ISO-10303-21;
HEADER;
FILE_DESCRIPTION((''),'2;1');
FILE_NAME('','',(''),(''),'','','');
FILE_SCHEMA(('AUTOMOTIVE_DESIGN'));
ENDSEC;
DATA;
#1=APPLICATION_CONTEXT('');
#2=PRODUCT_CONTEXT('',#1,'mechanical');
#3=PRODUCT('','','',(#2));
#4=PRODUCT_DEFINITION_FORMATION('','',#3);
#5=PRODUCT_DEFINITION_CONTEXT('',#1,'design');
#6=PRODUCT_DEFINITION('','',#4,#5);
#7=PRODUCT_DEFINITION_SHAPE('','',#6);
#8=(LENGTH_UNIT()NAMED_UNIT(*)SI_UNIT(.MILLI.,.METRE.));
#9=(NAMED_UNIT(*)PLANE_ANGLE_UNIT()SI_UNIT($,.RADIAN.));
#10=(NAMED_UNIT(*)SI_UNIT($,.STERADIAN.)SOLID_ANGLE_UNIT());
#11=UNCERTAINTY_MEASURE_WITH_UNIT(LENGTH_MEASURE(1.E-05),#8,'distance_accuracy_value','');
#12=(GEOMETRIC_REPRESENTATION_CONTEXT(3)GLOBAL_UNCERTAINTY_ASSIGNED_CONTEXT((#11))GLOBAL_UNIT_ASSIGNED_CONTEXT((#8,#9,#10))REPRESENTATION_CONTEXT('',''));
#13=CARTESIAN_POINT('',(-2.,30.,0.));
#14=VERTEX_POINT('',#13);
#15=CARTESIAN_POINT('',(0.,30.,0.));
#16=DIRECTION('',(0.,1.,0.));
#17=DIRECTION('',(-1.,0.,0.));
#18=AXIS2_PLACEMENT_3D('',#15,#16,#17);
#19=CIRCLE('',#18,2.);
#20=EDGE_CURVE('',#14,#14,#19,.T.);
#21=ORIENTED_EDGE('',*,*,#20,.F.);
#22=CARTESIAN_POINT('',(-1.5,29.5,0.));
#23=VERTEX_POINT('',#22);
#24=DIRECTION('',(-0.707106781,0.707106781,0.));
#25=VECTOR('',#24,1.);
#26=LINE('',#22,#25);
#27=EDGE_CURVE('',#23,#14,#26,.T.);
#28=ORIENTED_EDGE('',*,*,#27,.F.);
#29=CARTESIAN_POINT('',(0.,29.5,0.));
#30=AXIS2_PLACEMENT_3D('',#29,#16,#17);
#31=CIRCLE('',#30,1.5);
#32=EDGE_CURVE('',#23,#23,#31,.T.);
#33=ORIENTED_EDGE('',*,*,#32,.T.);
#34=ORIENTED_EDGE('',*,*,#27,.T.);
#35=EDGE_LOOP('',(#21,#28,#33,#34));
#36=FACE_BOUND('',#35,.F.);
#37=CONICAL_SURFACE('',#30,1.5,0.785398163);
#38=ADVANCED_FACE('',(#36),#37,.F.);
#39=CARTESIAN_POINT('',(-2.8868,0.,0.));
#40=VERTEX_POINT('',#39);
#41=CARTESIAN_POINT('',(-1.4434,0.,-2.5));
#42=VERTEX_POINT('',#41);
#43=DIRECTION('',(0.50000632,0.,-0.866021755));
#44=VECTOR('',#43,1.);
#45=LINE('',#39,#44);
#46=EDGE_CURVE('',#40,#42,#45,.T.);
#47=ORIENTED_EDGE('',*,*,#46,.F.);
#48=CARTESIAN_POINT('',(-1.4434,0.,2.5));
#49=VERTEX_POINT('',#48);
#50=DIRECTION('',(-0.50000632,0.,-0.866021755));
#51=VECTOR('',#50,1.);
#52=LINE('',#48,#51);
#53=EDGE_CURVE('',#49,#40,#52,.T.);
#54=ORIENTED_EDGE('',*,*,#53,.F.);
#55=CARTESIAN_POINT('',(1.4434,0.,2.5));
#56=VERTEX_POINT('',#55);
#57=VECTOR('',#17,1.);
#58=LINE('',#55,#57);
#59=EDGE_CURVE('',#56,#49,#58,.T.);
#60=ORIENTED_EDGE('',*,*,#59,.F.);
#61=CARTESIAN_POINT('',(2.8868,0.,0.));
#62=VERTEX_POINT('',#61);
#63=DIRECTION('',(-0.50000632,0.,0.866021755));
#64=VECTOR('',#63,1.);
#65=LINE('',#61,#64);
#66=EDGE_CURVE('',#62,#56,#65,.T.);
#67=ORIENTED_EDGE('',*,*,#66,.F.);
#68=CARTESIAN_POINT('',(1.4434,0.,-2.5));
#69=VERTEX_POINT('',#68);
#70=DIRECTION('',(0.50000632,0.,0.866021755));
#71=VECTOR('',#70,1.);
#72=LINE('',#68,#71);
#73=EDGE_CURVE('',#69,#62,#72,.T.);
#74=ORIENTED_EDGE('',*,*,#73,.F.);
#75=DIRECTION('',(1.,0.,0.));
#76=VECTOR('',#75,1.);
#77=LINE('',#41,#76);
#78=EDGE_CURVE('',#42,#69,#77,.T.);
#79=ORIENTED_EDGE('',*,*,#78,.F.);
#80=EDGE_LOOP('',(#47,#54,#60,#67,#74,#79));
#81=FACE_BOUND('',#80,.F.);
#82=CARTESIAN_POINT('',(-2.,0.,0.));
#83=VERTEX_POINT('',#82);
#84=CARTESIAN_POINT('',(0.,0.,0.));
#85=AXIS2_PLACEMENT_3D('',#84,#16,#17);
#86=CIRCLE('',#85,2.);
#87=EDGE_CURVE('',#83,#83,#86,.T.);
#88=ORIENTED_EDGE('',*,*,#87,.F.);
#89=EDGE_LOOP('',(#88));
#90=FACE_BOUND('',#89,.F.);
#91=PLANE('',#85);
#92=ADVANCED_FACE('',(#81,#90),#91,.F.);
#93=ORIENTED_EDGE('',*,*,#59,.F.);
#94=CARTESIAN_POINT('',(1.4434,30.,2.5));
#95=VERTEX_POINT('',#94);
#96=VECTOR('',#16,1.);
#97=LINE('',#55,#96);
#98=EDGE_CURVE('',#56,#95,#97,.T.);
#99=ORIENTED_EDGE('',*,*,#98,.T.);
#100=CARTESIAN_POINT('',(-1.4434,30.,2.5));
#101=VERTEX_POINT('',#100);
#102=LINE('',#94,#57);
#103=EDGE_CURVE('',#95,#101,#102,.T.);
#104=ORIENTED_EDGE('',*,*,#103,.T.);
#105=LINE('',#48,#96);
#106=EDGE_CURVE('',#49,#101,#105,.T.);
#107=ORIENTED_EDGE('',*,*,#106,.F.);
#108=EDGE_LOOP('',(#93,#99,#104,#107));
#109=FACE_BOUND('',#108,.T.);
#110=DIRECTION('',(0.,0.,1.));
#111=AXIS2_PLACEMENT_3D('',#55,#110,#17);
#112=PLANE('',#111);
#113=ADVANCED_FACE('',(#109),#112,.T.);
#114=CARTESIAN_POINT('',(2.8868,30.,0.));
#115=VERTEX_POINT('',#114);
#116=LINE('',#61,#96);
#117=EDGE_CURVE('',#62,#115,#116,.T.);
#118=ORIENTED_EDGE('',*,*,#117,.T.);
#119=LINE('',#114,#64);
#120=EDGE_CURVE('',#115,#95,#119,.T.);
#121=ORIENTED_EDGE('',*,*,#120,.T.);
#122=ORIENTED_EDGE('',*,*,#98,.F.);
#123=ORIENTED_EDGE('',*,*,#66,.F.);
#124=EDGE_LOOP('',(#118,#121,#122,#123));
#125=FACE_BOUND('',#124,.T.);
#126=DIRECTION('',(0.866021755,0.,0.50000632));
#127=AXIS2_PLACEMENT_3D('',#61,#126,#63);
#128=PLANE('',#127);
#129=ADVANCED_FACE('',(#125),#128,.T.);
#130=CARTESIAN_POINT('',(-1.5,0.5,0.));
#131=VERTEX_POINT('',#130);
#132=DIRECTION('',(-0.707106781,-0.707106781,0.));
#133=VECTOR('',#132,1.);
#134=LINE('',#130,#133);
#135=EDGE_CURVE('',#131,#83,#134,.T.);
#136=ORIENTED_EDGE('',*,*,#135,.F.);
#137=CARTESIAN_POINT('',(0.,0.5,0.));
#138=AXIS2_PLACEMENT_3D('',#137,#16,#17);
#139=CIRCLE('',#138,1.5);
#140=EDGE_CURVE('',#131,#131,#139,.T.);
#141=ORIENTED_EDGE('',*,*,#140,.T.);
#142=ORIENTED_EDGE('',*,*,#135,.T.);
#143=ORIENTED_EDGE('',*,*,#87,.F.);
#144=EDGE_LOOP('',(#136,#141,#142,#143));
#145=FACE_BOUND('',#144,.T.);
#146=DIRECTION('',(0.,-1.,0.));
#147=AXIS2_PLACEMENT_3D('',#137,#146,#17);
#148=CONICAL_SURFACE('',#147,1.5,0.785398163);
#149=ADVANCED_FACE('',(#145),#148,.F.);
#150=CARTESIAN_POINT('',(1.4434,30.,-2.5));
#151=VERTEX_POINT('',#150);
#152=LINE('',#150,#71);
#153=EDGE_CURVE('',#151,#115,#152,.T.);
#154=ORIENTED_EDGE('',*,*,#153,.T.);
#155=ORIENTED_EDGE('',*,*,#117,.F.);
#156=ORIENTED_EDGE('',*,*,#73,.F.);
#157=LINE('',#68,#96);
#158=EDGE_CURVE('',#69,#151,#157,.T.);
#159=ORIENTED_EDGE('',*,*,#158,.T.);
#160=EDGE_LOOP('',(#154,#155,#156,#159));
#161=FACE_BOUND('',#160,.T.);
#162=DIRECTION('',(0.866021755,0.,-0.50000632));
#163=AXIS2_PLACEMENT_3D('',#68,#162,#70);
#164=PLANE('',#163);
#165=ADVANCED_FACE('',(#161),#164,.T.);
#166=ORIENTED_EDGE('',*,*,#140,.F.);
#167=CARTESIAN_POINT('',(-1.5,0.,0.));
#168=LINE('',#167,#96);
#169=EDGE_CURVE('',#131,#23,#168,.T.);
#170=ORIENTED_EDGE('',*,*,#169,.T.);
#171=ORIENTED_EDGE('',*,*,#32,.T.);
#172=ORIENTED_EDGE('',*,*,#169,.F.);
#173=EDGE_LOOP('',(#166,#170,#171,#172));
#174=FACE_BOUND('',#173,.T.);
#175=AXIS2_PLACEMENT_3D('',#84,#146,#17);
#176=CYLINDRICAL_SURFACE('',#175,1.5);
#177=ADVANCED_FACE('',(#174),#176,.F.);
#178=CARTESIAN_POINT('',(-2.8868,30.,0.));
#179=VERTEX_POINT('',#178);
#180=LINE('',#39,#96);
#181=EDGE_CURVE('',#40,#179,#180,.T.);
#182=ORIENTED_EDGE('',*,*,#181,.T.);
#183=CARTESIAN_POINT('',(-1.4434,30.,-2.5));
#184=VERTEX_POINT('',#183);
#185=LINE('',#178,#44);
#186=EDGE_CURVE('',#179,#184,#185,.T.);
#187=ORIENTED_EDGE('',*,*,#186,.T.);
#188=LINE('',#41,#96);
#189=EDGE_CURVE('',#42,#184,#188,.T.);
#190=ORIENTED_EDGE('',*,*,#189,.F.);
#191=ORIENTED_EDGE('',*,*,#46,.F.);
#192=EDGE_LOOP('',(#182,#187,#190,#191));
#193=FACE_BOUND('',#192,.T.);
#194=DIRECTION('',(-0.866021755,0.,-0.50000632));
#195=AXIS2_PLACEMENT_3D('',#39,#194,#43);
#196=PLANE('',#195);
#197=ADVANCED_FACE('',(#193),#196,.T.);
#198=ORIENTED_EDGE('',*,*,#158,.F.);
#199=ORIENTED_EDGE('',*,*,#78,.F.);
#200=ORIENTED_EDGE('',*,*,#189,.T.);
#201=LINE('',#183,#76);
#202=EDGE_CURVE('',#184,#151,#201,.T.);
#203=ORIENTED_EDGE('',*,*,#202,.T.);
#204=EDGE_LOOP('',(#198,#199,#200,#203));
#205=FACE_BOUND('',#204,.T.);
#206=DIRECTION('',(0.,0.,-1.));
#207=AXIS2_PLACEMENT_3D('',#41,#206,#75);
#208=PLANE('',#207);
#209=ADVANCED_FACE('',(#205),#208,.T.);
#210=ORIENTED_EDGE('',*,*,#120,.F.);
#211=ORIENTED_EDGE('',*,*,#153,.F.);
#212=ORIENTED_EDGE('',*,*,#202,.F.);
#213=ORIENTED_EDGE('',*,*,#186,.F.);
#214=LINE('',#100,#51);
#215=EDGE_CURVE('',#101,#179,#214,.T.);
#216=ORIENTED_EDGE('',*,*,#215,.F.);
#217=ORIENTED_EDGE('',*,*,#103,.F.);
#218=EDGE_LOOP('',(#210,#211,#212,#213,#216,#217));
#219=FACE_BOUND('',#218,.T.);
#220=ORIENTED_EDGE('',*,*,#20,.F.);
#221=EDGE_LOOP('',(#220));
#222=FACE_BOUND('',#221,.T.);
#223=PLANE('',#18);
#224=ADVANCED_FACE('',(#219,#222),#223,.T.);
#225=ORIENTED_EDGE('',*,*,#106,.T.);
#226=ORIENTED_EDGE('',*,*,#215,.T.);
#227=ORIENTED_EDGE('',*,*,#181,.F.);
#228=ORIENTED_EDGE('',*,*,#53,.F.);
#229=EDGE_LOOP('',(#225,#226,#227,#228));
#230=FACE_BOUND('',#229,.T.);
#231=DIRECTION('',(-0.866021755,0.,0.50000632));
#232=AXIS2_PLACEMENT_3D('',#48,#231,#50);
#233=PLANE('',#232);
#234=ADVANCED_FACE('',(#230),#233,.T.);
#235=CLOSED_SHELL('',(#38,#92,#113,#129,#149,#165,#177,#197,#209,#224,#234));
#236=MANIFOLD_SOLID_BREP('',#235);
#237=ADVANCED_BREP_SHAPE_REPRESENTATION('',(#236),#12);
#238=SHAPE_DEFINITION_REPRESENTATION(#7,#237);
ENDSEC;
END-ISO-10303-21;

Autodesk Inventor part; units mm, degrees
ref_plane "YZ Plane" through (0, 0, 0) normal (1, 0, 0) x (0, 1, 0)
ref_plane "XZ Plane" through (0, 0, 0) normal (0, 1, 0) x (-1, 0, 0)
ref_plane "XY Plane" through (0, 0, 0) normal (0, 0, 1) x (1, 0, 0)
sketch "Esboço1" plane through (0, 0, 0) normal (0, 1, 0) x (-1, 0, 0)
  line L0 (-1.4434, -2.5) -> (-2.8868, 0)
  line L1 (-2.8868, 0) -> (-1.4434, 2.5)
  line L2 (-1.4434, 2.5) -> (1.4434, 2.5)
  line L3 (1.4434, 2.5) -> (2.8868, 0)
  line L4 (2.8868, 0) -> (1.4434, -2.5)
  line L5 (1.4434, -2.5) -> (-1.4434, -2.5)
  circle A0 centre (0, 0) radius 1.5
  point P0 (0, -2.5)
extrude "Extrusão1" add sketch "Esboço1" along normal blind 30
chamfer "Chanfro1" distance 0.5 angle 45 2 edges at (1.5, 30, 0) (1.5, 0, 0)
thread "Rosca1" size "M3x0.5" class "6H" standard "ANSI Metric M Profile" full length
properties part number "suporte" material "Latão, amarelo macio, soldado"
